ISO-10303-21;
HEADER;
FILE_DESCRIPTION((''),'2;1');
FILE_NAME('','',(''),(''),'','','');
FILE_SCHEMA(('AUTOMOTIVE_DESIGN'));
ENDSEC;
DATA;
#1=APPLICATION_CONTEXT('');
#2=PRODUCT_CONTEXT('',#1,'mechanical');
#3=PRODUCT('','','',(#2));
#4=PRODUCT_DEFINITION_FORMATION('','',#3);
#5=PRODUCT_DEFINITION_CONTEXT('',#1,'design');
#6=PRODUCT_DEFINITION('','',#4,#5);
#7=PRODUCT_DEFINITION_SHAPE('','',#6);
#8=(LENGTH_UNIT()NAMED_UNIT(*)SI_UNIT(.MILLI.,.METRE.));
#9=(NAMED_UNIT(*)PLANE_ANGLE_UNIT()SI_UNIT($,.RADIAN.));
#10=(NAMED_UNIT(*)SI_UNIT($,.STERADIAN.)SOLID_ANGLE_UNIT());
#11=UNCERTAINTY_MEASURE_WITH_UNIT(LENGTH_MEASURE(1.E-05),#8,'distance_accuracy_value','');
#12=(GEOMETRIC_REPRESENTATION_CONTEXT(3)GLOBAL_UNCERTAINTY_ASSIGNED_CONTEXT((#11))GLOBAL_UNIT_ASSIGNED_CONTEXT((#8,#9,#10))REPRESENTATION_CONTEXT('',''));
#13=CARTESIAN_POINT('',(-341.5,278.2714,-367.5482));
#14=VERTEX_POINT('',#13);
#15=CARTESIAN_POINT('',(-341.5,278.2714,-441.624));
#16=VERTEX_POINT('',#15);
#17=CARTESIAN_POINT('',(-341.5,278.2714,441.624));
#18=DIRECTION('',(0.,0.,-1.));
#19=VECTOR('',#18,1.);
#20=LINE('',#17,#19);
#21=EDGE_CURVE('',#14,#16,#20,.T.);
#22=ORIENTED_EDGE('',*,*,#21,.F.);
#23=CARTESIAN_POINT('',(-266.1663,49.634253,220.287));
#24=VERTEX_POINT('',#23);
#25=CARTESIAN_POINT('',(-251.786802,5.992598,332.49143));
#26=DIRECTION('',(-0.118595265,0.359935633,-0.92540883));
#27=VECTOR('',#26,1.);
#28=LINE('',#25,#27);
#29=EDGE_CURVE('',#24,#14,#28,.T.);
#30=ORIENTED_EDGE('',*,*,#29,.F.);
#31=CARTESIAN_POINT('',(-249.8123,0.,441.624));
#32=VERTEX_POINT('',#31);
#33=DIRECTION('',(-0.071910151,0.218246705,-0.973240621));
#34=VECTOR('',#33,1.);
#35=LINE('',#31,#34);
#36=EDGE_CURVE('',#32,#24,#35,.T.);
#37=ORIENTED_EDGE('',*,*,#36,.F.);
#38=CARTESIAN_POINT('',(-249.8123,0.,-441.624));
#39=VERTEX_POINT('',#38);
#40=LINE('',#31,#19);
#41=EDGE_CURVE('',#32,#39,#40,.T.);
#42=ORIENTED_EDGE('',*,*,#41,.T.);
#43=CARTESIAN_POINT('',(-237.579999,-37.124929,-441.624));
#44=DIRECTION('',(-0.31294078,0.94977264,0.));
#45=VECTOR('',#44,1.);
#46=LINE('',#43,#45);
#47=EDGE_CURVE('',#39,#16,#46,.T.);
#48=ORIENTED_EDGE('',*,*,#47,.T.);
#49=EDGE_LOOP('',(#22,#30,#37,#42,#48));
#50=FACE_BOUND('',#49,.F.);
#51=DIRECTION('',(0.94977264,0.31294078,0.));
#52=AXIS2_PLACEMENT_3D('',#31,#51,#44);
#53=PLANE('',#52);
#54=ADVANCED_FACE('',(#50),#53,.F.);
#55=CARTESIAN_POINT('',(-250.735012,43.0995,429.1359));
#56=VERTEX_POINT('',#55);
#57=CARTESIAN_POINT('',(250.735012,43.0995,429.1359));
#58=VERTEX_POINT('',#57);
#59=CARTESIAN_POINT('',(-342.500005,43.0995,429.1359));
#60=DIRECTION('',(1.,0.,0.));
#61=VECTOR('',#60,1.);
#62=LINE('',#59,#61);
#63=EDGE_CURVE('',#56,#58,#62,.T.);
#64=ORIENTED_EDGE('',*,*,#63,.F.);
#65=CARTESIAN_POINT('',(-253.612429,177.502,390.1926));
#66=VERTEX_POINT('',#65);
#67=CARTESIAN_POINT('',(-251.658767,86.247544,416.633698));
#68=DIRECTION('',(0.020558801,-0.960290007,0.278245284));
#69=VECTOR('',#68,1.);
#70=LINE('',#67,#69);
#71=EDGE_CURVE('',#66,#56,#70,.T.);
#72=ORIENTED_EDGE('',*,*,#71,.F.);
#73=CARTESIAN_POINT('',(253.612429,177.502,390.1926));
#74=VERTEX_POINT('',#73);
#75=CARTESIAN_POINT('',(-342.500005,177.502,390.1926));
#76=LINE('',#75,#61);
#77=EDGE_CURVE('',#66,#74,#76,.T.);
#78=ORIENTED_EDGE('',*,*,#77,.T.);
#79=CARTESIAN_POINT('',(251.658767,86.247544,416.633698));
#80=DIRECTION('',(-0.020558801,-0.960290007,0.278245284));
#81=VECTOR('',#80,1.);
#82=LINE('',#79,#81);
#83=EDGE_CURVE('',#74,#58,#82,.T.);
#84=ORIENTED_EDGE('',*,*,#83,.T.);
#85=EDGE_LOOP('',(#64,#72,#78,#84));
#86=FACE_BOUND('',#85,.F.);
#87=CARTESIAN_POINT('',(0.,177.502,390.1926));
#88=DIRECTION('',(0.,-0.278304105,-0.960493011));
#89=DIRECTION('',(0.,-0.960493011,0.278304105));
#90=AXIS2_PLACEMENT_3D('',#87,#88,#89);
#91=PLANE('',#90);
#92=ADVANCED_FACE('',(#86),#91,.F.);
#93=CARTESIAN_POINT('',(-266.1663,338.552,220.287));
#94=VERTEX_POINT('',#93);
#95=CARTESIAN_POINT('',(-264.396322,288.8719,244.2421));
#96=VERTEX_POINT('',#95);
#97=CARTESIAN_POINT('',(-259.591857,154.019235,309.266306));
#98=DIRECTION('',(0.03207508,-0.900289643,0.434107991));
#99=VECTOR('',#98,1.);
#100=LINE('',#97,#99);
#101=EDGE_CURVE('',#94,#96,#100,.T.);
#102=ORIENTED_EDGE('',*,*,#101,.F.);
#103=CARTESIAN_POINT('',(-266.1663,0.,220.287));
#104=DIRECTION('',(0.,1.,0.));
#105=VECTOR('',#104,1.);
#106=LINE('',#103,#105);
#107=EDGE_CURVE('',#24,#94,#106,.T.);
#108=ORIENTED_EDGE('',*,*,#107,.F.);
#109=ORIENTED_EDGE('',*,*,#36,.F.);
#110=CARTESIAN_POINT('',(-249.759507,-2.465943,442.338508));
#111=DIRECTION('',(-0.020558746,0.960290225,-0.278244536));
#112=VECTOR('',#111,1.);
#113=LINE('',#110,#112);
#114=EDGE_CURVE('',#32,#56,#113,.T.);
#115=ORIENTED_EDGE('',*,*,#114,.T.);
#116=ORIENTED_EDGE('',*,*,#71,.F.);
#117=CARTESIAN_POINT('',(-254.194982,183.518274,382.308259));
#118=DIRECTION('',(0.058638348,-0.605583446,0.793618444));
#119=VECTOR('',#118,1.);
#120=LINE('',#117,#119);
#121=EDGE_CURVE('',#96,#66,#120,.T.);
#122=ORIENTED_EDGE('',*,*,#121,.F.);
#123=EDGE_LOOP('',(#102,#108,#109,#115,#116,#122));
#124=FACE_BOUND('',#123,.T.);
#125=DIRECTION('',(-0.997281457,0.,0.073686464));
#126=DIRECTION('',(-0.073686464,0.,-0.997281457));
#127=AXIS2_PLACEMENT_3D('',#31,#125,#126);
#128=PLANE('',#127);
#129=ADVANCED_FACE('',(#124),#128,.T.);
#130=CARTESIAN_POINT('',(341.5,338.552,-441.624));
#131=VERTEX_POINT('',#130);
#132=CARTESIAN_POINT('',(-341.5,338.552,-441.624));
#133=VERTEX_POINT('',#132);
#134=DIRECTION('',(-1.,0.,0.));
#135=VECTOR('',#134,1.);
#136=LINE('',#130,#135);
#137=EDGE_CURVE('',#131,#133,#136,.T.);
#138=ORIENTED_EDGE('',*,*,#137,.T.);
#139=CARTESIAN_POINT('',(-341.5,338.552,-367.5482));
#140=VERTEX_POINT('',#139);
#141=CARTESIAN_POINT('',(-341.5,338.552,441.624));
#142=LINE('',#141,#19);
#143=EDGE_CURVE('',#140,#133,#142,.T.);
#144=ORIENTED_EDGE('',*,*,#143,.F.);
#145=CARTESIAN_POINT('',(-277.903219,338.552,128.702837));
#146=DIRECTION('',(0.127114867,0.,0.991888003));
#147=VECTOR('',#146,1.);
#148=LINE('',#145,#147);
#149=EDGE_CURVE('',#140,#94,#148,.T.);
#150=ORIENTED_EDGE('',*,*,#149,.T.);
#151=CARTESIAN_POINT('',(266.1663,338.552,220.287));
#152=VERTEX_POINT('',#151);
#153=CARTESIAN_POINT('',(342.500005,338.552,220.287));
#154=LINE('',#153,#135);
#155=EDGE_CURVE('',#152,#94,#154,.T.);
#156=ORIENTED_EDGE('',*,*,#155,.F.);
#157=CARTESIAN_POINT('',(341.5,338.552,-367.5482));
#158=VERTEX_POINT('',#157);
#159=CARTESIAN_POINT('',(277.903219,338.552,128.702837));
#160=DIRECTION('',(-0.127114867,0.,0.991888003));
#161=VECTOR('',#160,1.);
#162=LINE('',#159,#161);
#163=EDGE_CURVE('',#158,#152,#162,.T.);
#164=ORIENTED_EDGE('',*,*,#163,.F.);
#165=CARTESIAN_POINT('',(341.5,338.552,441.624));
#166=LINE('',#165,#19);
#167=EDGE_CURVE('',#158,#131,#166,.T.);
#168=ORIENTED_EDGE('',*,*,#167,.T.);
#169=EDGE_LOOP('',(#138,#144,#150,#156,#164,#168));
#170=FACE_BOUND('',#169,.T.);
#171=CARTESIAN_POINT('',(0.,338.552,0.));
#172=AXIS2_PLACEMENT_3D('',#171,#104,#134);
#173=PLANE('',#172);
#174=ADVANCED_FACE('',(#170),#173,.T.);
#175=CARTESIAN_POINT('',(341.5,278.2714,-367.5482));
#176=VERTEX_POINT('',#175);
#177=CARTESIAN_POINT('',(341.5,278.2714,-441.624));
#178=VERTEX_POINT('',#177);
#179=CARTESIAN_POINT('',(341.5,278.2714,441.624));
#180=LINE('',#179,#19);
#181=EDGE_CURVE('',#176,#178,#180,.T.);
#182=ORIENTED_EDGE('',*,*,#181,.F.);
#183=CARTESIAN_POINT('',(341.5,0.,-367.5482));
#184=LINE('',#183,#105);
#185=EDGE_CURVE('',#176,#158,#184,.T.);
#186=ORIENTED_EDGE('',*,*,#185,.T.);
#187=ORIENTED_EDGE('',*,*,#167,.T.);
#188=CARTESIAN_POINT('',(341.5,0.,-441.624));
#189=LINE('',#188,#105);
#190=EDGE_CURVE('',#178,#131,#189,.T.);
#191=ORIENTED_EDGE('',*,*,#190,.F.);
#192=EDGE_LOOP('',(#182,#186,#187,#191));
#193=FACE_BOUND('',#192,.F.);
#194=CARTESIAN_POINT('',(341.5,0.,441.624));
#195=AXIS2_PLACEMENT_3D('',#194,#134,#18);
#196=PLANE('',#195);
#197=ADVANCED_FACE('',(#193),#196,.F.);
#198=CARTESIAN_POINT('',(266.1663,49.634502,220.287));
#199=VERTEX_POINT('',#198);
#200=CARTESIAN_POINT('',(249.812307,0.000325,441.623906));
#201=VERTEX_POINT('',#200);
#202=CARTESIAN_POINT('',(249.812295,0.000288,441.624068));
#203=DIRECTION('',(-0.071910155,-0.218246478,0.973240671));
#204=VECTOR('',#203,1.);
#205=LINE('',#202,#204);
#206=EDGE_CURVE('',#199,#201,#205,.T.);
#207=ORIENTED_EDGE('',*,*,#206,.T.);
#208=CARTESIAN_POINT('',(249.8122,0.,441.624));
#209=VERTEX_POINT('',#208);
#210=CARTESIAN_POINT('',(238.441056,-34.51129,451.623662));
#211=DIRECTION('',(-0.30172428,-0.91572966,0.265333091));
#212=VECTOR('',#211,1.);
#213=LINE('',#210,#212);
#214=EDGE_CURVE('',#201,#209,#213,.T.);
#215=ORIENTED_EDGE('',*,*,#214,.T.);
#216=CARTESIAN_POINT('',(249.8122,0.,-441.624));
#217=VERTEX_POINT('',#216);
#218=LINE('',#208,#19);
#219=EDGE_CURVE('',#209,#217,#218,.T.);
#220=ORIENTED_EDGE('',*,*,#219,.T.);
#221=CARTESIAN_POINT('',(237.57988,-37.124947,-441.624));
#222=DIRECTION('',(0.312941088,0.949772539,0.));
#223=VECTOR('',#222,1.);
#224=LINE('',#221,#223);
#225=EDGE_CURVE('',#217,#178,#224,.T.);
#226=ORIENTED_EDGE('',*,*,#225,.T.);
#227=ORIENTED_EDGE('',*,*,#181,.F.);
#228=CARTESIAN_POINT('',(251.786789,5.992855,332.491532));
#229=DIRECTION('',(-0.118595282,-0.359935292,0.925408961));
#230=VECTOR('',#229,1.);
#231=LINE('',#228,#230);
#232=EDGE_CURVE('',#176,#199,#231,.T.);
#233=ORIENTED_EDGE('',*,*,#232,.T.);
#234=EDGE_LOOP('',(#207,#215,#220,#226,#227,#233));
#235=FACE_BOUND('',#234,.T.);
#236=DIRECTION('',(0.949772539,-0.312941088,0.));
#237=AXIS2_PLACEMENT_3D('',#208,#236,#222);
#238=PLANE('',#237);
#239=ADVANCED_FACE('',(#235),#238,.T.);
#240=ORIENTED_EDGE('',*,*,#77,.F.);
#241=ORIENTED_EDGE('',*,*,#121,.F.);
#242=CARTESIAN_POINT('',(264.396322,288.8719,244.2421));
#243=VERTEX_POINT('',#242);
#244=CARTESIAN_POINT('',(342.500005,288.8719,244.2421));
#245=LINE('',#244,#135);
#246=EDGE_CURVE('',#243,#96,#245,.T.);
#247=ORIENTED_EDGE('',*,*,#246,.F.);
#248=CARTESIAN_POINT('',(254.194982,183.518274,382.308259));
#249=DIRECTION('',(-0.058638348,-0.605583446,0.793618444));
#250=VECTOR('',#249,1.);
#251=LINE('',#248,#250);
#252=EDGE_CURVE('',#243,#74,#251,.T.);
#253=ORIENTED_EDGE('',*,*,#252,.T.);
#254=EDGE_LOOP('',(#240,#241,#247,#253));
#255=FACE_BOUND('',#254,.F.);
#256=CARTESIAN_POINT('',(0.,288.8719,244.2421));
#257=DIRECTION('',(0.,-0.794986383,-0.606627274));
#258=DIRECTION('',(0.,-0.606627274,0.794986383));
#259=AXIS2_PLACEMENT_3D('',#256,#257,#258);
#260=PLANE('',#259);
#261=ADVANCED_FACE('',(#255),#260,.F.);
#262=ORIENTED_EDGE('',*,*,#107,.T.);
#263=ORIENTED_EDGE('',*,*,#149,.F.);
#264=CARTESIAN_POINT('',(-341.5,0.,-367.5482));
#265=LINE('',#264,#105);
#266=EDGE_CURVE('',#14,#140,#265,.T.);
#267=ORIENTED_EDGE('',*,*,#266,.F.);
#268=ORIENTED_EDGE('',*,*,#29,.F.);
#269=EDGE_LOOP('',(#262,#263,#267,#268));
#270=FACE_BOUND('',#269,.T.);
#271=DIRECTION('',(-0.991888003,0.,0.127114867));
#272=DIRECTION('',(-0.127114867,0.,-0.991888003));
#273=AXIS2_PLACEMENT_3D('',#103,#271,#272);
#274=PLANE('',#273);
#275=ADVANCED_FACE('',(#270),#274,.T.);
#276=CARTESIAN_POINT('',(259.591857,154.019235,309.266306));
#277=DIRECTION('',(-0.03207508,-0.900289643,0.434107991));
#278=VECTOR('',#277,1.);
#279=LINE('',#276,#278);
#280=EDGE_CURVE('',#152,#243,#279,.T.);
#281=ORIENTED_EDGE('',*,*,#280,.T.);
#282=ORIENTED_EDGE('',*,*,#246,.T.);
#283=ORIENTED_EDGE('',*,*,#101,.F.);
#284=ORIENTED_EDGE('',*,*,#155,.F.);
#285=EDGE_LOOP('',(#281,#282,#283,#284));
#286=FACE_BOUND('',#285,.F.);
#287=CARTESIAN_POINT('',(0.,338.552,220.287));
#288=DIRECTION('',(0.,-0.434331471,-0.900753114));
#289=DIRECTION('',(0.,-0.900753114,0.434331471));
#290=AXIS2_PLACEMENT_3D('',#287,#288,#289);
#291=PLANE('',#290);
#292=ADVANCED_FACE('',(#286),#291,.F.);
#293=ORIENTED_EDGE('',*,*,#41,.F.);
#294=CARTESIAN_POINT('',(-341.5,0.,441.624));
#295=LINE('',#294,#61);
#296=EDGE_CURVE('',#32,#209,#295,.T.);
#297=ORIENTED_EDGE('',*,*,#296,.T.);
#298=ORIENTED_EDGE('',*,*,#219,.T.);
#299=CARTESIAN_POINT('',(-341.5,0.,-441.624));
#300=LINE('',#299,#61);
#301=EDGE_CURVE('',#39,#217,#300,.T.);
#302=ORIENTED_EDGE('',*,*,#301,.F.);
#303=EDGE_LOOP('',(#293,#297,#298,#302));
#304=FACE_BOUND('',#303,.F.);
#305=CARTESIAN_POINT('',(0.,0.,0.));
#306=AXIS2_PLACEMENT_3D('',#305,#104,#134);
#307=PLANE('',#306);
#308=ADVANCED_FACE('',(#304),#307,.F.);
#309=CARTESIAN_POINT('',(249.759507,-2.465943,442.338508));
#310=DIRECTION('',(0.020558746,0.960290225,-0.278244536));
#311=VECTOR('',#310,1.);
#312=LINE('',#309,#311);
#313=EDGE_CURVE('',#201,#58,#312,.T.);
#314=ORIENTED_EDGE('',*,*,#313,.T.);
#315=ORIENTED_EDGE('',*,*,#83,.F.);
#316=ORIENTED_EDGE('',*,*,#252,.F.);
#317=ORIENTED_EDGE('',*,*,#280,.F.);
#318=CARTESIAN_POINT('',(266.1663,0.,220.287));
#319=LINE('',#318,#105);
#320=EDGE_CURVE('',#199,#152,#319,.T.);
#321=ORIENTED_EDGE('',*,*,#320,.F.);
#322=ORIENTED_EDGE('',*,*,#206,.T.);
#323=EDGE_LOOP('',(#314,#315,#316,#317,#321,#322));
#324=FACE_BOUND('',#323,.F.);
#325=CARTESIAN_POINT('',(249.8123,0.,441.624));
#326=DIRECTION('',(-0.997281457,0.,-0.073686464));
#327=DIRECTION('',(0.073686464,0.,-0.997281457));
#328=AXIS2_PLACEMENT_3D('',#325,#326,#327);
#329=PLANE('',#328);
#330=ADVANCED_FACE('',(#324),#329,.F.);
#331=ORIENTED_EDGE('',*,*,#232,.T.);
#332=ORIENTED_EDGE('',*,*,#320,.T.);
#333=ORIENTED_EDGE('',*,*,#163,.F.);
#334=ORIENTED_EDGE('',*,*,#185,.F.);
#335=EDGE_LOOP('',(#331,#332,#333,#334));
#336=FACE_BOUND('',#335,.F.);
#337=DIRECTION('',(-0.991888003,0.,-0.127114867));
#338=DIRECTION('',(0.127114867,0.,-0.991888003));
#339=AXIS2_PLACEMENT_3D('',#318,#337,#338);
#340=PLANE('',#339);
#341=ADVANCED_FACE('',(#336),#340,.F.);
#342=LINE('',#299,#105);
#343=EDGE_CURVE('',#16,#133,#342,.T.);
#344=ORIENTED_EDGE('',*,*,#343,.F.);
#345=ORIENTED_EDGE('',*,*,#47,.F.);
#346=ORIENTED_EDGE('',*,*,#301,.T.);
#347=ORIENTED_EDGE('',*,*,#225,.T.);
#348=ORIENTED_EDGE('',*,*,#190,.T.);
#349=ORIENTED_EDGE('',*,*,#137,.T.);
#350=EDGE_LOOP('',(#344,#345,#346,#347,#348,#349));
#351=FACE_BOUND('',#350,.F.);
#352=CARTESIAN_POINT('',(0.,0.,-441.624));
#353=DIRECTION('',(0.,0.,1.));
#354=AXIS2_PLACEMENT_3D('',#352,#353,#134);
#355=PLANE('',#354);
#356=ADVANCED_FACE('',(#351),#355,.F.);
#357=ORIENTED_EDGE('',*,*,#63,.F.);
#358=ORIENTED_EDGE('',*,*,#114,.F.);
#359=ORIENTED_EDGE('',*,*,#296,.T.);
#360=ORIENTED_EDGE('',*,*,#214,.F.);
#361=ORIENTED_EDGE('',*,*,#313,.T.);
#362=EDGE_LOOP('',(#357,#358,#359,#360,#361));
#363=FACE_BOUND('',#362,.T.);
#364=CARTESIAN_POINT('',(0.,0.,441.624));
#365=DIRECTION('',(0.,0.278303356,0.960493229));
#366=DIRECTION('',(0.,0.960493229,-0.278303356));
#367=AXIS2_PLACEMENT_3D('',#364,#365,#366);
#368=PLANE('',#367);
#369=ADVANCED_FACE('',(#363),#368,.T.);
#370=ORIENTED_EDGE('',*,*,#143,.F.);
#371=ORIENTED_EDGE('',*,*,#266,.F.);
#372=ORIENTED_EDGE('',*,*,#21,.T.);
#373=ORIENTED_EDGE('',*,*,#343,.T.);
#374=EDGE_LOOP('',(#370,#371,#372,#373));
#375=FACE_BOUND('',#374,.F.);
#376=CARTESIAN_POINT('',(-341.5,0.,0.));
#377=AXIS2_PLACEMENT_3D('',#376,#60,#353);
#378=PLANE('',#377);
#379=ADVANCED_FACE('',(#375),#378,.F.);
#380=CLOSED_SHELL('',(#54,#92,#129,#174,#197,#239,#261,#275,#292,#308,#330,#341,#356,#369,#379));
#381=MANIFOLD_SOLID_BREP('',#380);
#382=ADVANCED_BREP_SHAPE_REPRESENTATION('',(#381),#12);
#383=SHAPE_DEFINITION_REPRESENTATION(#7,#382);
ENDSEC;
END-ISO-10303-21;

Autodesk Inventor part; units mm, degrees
ref_plane "YZ Plane" through (0, 0, 0) normal (1, 0, 0) x (0, 1, 0)
ref_plane "XZ Plane" through (0, 0, 0) normal (0, 1, 0) x (-1, 0, 0)
ref_plane "XY Plane" through (0, 0, 0) normal (0, 0, 1) x (1, 0, 0)
sketch "スケッチ1" plane through (0, 0, 0) normal (0, 1, 0) x (-1, 0, 0)
  line L0 (341.5, 441.624) -> (-341.5, 441.624)
  line L1 (-341.5, 441.624) -> (-341.5, -441.624)
  line L2 (-341.5, -441.624) -> (341.5, -441.624)
  line L3 (341.5, -441.624) -> (341.5, 441.624)
  line L4 (0, -618.2736) -> (0, 618.2736) projected
  line L5 (478.1, 0) -> (-478.1, 0) projected
  point P0 (0, 0)
  point P1 (0, 441.624)
  point P2 (341.5, 0)
  dimension "d0" = 883.248
  dimension "d1" = 683
extrude "押し出し1" add sketch "スケッチ1" along normal blind 338.552
sketch "スケッチ2" plane through (0, 0, 0) normal (0, -1, 0) x (1, 0, 0)
  line L0 (-341.5, 441.624) -> (341.5, 441.624) projected
  line L1 (249.8123, 441.624) -> (266.1663, 220.287)
  line L2 (266.1663, 220.287) -> (341.5, -367.5482)
  line L3 (341.5, 441.624) -> (341.5, -441.624) projected
  line L4 (249.8123, 441.624) -> (341.5, 441.624)
  line L5 (341.5, 441.624) -> (341.5, -367.5482)
  line L6 (0, -782.4861) -> (0, 1603.5489) projected
  line L7 (-249.8123, 441.624) -> (-266.1663, 220.287)
  line L8 (-266.1663, 220.287) -> (-341.5, -367.5482)
  line L9 (-249.8123, 441.624) -> (-341.5, 441.624)
  line L10 (-341.5, 441.624) -> (-341.5, -367.5482)
  point P0 (0, 0)
  point P1 (0, 1262.6867)
  point P2 (-341.5, 441.624)
extrude "押し出し2" cut sketch "スケッチ2" against normal through all
sketch "スケッチ3" plane through (-249.8123, 0, 441.624) normal (0, 0, 1) x (1, 0, 0)
  line L0 (0, 0) -> (499.6245, 0) projected
  line L1 (0, 0) -> (-91.6877, 278.2714)
  line L2 (-91.6877, 0) -> (-91.6877, 338.552) projected
  line L3 (-16.354, 0) -> (-91.6877, 0) projected
  line L4 (0, 0) -> (-91.6877, 0)
  line L5 (-91.6877, 0) -> (-91.6877, 278.2714)
  line L6 (249.8123, 0) -> (249.8123, -75.9213)
  line L7 (499.6245, 0) -> (0, 0)
  line L8 (499.6245, 0) -> (591.3123, 278.2714)
  line L9 (591.3123, 0) -> (591.3123, 338.552)
  line L10 (515.9785, 0) -> (591.3123, 0)
  line L11 (499.6245, 0) -> (591.3123, 0)
  line L12 (591.3123, 0) -> (591.3123, 278.2714)
extrude "押し出し3" cut sketch "スケッチ3" against normal through all
sketch "スケッチ4" plane through (0, 0, 0) normal (1, 0, 0) x (0, 1, 0)
  line L0 (0, 441.624) -> (338.552, 441.624) projected
  line L1 (0, 441.624) -> (43.0995, 429.1359)
  line L2 (43.0995, 429.1359) -> (216.735, -84.6593)
  line L3 (216.735, -84.6593) -> (12.1682, -441.624)
  line L4 (0, -441.624) -> (278.2714, -441.624) projected
  line L5 (12.1682, -441.624) -> (0, -441.624)
  line L6 (0, -441.624) -> (0, 441.624)
  line L7 (0, 441.624) -> (338.552, 441.624)
  line L8 (338.552, 220.287) -> (338.552, -367.5482) projected
  line L9 (338.552, 441.624) -> (338.552, 220.287)
  line L10 (338.552, 220.287) -> (288.8719, 244.2421)
  line L11 (288.8719, 244.2421) -> (177.502, 390.1926)
  line L12 (177.502, 390.1926) -> (43.0995, 429.1359)
  point P0 (0, 0)
extrude "押し出し5" cut sketch "スケッチ4" along normal through all both and the other way through all contours L0 L9 L10 L11 L12 L1
properties part number "add"
